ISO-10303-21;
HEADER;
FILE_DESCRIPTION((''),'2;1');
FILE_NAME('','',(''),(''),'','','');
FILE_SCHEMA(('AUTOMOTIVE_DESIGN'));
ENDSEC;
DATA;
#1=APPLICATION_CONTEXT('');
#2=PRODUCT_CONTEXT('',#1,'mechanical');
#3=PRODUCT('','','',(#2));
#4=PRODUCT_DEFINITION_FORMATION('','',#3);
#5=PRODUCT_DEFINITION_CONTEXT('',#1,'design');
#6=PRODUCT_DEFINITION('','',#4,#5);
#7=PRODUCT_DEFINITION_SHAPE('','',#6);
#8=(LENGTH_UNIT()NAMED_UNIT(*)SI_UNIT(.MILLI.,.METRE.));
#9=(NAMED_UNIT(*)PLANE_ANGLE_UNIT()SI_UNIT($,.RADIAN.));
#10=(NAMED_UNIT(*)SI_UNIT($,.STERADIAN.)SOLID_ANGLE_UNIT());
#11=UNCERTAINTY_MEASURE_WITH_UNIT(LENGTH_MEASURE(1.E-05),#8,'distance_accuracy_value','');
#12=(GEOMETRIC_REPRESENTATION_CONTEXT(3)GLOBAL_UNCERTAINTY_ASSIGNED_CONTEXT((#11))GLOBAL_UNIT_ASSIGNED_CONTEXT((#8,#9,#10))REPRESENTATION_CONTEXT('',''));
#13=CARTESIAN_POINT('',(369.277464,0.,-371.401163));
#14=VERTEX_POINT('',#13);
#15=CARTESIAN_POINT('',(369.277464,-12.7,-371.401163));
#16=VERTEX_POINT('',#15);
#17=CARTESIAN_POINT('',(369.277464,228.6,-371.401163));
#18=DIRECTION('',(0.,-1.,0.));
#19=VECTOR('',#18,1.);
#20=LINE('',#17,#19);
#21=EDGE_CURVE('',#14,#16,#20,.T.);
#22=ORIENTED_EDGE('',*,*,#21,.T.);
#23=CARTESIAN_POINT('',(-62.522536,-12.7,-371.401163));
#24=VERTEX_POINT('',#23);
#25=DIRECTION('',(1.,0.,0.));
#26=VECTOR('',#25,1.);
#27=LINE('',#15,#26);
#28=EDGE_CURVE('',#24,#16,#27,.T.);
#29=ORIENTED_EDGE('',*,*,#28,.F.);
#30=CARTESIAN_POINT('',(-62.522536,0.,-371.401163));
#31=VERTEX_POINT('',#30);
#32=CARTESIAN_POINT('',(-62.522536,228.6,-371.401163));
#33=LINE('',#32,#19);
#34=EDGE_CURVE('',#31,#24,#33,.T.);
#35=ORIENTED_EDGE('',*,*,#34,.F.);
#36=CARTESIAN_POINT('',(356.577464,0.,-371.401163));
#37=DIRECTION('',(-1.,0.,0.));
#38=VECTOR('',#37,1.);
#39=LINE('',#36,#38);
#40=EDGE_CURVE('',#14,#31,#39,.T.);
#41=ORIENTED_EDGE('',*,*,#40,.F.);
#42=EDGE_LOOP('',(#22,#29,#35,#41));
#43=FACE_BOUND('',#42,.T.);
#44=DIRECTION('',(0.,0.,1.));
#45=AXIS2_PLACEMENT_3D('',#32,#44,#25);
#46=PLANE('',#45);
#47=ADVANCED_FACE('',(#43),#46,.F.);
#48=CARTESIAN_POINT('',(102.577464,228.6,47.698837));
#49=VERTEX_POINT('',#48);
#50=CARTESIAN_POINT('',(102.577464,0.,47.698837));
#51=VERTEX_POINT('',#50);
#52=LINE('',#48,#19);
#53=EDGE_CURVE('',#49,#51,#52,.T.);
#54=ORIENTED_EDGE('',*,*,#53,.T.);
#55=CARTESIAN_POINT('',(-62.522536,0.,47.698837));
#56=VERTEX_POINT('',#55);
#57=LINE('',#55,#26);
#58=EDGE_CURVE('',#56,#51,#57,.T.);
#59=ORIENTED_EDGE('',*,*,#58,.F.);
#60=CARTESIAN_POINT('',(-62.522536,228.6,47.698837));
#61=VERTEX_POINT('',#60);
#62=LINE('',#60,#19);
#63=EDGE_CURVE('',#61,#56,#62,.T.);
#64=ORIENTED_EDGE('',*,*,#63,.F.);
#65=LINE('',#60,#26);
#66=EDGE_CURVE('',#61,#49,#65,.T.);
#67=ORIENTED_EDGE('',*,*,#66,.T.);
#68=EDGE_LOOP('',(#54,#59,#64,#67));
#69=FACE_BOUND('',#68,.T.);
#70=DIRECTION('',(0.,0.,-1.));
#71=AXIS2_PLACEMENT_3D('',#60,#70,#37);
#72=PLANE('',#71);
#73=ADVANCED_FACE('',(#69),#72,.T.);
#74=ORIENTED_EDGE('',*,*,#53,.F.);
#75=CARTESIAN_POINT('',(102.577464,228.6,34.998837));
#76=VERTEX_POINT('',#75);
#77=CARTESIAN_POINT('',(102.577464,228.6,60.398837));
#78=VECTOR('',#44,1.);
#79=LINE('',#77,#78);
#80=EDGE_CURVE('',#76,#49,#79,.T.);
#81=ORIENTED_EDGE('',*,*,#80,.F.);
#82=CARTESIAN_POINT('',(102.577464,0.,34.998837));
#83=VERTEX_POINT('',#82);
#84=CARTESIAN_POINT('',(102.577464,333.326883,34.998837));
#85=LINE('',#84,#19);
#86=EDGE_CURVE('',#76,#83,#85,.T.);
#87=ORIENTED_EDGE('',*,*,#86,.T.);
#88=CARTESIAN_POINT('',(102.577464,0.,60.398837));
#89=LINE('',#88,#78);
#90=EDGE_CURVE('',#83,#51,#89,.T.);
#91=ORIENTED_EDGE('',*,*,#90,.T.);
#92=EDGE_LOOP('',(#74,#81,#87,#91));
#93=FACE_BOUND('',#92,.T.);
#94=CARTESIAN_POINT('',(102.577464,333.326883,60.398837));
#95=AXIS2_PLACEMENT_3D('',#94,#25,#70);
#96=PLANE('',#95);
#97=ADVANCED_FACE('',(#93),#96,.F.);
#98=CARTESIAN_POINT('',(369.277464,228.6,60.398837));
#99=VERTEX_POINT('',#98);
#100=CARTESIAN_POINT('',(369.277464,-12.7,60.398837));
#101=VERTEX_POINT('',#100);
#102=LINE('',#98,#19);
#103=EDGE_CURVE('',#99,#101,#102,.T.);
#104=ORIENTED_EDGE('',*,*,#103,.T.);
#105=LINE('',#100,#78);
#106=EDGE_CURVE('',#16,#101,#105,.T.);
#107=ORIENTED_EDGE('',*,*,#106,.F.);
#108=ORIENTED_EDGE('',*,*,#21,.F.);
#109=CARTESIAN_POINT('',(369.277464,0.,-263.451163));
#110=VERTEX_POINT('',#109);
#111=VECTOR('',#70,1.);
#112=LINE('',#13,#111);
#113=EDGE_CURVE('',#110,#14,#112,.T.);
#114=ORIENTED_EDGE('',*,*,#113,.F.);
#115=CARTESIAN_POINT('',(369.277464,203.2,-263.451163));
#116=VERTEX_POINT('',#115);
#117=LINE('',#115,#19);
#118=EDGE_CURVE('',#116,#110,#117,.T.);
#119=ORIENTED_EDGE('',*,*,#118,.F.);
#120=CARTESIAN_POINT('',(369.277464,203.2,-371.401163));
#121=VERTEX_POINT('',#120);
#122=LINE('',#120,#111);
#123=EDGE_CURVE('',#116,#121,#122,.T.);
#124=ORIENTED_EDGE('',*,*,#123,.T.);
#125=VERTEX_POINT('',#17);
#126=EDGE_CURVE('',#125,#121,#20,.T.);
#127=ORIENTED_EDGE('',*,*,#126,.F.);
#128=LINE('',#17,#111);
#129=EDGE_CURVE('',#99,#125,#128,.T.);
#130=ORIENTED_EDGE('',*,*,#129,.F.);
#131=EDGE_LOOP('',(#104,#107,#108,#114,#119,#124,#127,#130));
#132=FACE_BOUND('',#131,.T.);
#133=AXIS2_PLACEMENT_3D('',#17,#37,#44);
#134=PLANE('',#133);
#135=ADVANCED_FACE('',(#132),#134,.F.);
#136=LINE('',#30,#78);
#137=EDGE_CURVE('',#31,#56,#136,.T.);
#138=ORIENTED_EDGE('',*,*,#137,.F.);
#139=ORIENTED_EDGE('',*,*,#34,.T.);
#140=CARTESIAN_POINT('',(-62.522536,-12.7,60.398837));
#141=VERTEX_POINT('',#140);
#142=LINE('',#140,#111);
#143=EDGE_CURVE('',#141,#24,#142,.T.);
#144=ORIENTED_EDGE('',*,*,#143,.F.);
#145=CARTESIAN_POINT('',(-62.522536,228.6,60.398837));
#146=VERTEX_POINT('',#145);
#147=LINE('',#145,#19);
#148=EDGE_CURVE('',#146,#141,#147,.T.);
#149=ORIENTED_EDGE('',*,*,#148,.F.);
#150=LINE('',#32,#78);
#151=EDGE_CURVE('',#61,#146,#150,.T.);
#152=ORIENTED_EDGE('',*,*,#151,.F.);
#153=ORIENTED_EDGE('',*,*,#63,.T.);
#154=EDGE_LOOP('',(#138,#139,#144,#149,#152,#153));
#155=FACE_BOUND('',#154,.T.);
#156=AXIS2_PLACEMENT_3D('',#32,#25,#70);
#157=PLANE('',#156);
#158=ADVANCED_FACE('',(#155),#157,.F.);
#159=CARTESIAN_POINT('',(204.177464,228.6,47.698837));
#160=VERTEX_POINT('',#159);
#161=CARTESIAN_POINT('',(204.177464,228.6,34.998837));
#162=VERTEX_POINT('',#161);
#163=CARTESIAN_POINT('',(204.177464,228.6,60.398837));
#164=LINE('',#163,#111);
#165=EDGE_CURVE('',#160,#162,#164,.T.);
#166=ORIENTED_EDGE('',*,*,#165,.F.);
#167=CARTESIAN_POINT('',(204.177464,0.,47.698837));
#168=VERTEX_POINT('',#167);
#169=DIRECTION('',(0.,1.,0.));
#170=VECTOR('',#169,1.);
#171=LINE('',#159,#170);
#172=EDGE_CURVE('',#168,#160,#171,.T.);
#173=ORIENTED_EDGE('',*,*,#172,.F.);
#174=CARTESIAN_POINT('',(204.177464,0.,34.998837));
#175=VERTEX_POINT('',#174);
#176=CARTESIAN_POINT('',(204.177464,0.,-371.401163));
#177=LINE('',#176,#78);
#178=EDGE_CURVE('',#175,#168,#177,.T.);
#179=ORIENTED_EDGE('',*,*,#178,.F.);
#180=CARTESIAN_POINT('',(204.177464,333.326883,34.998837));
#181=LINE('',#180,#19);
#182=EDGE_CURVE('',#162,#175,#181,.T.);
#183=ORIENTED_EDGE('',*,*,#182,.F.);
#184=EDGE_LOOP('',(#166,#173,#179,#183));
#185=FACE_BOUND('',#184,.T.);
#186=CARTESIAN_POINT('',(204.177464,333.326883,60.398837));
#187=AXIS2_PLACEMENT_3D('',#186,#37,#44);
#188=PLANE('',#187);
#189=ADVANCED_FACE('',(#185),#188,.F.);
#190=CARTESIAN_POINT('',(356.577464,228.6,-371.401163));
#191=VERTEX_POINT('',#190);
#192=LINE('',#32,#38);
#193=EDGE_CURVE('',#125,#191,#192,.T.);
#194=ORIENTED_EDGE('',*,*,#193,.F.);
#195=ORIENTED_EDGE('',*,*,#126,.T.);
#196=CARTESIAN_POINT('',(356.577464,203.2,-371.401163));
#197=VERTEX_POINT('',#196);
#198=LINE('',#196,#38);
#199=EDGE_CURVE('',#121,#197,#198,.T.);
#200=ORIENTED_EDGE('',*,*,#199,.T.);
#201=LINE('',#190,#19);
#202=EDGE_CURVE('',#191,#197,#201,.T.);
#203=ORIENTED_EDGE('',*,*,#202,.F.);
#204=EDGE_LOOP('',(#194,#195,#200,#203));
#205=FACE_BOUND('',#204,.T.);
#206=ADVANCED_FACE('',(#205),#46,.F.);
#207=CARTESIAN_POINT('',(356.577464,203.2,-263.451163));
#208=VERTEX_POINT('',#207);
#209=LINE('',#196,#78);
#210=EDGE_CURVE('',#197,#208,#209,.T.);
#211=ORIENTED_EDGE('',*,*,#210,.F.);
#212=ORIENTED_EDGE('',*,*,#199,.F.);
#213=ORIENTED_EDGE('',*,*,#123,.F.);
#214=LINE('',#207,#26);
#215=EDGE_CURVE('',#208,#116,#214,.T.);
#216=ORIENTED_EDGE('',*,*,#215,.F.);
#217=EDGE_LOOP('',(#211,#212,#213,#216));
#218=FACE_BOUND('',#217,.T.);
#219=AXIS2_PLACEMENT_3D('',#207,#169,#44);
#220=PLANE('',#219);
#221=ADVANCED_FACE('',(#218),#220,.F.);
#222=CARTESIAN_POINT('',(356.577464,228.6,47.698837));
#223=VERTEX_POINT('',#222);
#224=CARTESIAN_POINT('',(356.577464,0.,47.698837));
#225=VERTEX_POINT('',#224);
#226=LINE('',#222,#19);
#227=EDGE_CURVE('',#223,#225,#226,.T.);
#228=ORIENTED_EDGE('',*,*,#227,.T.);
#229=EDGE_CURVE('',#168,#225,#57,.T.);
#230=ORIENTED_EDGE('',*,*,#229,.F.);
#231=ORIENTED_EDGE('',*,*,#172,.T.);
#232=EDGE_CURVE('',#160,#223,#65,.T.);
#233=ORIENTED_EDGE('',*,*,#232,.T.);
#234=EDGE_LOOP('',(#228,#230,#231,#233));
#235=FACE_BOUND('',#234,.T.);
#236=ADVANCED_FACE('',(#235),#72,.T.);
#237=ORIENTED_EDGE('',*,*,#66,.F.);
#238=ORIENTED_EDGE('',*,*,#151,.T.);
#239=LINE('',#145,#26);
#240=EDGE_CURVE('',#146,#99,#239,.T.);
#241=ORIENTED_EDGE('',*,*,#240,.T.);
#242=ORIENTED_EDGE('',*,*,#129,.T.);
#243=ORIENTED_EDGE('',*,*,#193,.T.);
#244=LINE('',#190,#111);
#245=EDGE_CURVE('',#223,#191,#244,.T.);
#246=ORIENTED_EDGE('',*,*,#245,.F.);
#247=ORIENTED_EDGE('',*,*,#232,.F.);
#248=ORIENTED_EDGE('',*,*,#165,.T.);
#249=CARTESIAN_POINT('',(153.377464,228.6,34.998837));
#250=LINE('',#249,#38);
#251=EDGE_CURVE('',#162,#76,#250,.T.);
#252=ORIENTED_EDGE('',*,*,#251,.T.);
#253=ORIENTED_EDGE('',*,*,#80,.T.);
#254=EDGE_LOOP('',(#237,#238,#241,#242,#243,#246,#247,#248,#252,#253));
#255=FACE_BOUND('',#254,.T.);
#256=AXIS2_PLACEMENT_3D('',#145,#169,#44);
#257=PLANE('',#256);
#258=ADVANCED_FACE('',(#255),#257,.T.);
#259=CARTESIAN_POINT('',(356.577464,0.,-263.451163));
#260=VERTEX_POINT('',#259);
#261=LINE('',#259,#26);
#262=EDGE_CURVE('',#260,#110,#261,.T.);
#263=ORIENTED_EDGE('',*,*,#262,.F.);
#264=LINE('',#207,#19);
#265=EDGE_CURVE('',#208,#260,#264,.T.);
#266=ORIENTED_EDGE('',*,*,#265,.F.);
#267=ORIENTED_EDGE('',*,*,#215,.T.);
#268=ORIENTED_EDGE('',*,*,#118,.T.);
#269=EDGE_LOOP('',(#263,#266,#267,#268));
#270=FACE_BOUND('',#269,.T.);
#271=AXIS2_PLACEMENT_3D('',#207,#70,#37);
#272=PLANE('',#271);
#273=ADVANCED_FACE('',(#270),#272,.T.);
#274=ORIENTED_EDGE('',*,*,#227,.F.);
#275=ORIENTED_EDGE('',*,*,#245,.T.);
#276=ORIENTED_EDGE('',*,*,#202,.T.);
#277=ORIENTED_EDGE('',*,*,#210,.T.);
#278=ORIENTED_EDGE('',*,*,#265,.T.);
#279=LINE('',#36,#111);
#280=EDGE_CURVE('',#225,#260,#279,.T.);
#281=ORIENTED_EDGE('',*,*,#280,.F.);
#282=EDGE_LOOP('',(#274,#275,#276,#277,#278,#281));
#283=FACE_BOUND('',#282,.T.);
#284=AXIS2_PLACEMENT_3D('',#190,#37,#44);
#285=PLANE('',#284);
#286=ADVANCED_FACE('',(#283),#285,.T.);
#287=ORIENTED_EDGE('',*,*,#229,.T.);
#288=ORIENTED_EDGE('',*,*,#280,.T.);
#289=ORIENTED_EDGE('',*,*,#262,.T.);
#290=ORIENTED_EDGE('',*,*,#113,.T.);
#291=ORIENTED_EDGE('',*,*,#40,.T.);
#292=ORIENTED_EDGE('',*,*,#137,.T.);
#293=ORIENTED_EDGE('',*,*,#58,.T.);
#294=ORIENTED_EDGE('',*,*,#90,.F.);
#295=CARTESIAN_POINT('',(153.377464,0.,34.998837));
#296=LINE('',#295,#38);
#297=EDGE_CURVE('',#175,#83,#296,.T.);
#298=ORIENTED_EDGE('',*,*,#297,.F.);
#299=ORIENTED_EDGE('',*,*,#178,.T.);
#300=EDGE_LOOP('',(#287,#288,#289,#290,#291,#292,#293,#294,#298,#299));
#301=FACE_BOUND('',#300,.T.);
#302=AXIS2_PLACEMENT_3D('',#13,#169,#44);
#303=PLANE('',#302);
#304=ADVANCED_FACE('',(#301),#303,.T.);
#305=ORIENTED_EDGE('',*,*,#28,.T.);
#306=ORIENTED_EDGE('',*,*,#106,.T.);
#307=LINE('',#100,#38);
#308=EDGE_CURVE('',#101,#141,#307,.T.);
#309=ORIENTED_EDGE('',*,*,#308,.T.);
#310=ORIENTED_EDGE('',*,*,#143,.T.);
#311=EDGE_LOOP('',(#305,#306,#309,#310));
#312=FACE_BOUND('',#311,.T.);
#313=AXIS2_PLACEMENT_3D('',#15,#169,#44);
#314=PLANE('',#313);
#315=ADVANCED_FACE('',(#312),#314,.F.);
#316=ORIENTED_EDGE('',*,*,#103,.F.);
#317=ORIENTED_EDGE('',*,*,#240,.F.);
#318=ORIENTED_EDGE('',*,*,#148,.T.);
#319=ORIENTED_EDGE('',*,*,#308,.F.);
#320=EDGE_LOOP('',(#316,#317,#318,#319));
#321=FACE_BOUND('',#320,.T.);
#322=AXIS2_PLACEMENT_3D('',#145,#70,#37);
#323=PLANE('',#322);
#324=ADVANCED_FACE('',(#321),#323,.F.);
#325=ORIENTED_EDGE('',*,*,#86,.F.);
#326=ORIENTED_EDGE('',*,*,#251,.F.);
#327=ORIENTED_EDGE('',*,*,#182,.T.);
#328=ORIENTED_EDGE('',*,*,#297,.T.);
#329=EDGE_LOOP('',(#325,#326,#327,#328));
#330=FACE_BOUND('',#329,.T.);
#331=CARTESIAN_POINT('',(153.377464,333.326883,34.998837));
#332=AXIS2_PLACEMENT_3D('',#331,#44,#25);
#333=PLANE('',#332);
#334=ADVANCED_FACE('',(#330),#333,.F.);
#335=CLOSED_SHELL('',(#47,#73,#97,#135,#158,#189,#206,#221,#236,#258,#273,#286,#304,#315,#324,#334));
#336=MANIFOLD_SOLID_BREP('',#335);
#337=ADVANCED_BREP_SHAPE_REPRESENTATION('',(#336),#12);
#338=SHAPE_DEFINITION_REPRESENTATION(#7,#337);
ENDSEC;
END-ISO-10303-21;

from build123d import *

# Parameters (mm, degrees)
SKETCH1_W           = 431.8
SKETCH1_H           = 431.8
SKETCH1_W_2         = 406.4
SKETCH1_H_2         = 406.4
EXTRUDE_THIN1_DEPTH = 228.6
SKETCH2_W           = 431.8
SKETCH2_H           = 431.8
EXTRUDE1_DEPTH      = 12.7
CUT_EXTRUDE1_DEPTH  = 229.6
EXTRUDE2_DEPTH      = 228.6
SKETCH5_W           = 12.7
SKETCH5_H           = 107.95
CUT_EXTRUDE2_DEPTH  = 203.2


with BuildPart() as part:
    # Sketch1 → Extrude-Thin1 (new body)
    with BuildSketch(Plane(origin=(0, 0, 0), x_dir=(1, 0, 0), z_dir=(0, 1, 0))):
        with Locations((153.377464009, 155.501162791)):
            Rectangle(SKETCH1_W, SKETCH1_H)
        with Locations((153.377464009, 155.501162791)):
            Rectangle(SKETCH1_W_2, SKETCH1_H_2, mode=Mode.SUBTRACT)
    extrude(amount=EXTRUDE_THIN1_DEPTH)

    # Sketch2 → Extrude1 (add)
    with BuildSketch(Plane.XZ):
        with Locations((153.377464009, -155.501162791)):
            Rectangle(SKETCH2_W, SKETCH2_H)
    extrude(amount=EXTRUDE1_DEPTH)

    # Sketch3 → Cut-Extrude1 (cut, through all)
    with BuildSketch(Plane(origin=(0, 0, 0), x_dir=(-1, 0, 0), z_dir=(0, 1, 0))):
        Polygon((-356.577464009, -371.401162791), (62.522535991, -371.401162791), (62.522535991, 47.698837209), (49.822535991, 47.698837209), (49.822535991, -358.701162791), (-356.577464009, -358.701162791), align=None)
    extrude(amount=CUT_EXTRUDE1_DEPTH, mode=Mode.SUBTRACT)

    # Sketch4 → Extrude2 (add)
    with BuildSketch(Plane(origin=(0, 0, 0), x_dir=(-1, 0, 0), z_dir=(0, 1, 0))):
        Polygon((-153.377464009, 60.398837209), (-204.177464009, 60.398837209), (-204.177464009, 34.998837209), (-153.377464009, 34.998837209), (-102.577464009, 34.998837209), (-102.577464009, 60.398837209), align=None)
    extrude(amount=EXTRUDE2_DEPTH)

    # Sketch5 → Cut-Extrude2 (cut)
    with BuildSketch(Plane(origin=(0, 0, 0), x_dir=(-1, 0, 0), z_dir=(0, 1, 0))):
        with Locations((-362.927464009, -317.426162791)):
            Rectangle(SKETCH5_W, SKETCH5_H)
    extrude(amount=CUT_EXTRUDE2_DEPTH, mode=Mode.SUBTRACT)


solid = part.part
